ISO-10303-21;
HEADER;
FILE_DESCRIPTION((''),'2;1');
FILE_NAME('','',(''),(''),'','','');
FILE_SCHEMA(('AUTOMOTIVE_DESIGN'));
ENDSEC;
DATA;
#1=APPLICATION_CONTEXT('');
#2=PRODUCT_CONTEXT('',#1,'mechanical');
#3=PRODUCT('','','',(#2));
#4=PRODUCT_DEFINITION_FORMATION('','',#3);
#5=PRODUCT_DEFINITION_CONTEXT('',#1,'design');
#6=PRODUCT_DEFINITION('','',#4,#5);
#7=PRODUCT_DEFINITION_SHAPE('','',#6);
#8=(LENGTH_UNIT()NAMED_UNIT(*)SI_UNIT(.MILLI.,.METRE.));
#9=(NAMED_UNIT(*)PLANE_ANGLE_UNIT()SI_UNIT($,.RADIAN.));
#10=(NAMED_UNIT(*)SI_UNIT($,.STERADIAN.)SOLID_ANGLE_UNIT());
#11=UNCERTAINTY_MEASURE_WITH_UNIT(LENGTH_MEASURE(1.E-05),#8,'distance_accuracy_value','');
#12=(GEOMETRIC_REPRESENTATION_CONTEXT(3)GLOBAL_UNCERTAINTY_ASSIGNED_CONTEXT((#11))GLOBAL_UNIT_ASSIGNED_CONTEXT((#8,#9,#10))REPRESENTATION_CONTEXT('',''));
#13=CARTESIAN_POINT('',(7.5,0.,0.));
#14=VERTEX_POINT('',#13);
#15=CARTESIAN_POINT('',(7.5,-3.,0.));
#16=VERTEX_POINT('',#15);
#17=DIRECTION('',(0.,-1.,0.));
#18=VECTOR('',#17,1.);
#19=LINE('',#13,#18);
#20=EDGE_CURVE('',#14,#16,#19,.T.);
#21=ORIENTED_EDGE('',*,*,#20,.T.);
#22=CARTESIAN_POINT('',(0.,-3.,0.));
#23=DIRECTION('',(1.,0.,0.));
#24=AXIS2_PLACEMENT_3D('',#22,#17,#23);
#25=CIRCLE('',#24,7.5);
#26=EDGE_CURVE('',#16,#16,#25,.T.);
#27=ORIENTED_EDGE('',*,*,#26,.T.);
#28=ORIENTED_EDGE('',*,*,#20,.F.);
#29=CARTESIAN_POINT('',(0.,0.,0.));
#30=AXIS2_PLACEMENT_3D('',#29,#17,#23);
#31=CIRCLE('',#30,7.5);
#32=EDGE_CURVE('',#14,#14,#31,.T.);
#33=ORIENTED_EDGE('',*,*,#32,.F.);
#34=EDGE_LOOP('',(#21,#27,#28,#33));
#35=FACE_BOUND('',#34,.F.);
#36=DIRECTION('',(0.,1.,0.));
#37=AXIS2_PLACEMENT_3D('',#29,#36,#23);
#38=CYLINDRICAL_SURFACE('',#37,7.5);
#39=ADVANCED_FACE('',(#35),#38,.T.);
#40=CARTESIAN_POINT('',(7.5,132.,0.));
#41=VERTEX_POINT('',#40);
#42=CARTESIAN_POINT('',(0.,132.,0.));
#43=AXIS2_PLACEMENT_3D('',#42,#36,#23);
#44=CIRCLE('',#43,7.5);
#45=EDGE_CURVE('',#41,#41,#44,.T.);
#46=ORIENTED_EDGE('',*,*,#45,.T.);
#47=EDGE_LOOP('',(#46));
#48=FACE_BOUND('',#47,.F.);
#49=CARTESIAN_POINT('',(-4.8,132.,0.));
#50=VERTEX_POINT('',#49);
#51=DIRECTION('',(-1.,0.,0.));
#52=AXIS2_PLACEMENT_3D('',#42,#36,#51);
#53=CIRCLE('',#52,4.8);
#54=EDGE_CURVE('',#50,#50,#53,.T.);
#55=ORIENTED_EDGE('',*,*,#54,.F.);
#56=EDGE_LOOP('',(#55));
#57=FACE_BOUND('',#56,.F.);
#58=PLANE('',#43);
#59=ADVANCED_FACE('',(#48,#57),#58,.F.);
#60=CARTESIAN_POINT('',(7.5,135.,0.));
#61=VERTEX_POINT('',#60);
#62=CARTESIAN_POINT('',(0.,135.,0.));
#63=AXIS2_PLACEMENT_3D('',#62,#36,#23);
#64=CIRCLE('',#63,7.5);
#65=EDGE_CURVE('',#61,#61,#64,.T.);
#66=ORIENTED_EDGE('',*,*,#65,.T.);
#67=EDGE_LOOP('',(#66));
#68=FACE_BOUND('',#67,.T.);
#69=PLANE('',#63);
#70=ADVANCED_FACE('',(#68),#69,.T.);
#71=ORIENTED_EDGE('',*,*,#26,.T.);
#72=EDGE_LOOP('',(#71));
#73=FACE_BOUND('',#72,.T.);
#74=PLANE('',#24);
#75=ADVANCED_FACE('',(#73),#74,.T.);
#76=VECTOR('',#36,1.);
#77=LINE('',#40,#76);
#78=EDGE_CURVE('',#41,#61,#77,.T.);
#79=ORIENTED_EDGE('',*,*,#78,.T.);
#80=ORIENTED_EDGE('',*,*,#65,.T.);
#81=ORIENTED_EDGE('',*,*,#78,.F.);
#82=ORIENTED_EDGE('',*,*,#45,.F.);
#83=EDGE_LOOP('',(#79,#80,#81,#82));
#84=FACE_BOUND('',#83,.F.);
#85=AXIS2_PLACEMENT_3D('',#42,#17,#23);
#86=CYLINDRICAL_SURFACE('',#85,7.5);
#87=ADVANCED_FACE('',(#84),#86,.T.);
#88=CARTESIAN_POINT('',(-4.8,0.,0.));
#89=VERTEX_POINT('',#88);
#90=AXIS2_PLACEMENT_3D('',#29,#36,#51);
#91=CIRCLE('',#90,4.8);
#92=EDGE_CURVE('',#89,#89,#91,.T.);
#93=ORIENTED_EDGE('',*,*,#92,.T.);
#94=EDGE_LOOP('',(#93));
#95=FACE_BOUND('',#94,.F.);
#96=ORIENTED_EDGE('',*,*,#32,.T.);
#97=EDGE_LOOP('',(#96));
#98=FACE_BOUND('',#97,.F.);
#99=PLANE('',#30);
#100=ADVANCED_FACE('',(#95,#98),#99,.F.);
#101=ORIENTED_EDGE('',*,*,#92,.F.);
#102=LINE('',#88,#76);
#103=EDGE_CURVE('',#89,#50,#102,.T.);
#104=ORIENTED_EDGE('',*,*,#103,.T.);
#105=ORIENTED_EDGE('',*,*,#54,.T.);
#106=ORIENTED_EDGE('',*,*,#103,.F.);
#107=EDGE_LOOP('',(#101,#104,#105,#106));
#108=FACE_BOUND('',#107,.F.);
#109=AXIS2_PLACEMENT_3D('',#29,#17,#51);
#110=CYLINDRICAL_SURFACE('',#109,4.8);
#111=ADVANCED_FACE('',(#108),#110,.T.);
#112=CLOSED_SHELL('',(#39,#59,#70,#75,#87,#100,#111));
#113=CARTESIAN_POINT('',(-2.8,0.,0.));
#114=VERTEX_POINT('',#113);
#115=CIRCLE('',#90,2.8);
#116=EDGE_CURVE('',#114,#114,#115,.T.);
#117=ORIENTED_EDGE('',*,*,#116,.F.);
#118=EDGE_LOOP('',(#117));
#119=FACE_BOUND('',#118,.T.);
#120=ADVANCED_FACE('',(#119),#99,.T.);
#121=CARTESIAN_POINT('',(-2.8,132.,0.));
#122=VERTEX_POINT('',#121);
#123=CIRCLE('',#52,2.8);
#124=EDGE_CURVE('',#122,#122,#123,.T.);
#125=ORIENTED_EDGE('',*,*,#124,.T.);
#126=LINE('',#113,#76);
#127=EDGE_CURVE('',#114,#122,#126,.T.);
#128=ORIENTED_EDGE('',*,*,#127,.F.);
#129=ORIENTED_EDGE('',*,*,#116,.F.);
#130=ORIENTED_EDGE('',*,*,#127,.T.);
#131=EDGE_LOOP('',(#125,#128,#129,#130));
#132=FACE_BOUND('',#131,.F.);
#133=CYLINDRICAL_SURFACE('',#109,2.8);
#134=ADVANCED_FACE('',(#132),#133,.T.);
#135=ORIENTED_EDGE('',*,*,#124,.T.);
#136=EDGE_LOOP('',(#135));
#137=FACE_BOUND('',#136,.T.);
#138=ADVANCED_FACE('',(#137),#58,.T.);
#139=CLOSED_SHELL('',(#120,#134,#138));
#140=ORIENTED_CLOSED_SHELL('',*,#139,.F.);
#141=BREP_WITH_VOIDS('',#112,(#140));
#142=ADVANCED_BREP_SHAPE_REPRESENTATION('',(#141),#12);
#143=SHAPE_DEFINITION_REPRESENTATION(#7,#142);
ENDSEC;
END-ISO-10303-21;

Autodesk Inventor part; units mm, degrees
ref_plane "YZ Plane" through (0, 0, 0) normal (1, 0, 0) x (0, 1, 0)
ref_plane "XZ Plane" through (0, 0, 0) normal (0, 1, 0) x (-1, 0, 0)
ref_plane "XY Plane" through (0, 0, 0) normal (0, 0, 1) x (1, 0, 0)
sketch "Boceto1" plane through (0, 0, 0) normal (0, 1, 0) x (-1, 0, 0)
  circle A0 centre (0, 0) radius 4.8
  circle A1 centre (0, 0) radius 2.8
  dimension "d0" = 9.6
  dimension "d1" = 2
extrude "Extrusión1" add sketch "Boceto1" along normal blind 132
sketch "Boceto2" plane through (0, 132, 0) normal (0, 1, 0) x (1, 0, 0)
  circle A0 centre (0, 0) radius 7.5
  dimension "d4" = 15
extrude "Extrusión2" add sketch "Boceto2" along normal blind 3
sketch "Boceto3" plane through (0, 0, 0) normal (0, -1, 0) x (1, 0, 0)
  circle A0 centre (0, 0) radius 7.5
  dimension "d7" = 15
extrude "Extrusión3" add sketch "Boceto3" along normal blind 3
properties part number "Asiento - Manija" material "Aluminio 6061"
